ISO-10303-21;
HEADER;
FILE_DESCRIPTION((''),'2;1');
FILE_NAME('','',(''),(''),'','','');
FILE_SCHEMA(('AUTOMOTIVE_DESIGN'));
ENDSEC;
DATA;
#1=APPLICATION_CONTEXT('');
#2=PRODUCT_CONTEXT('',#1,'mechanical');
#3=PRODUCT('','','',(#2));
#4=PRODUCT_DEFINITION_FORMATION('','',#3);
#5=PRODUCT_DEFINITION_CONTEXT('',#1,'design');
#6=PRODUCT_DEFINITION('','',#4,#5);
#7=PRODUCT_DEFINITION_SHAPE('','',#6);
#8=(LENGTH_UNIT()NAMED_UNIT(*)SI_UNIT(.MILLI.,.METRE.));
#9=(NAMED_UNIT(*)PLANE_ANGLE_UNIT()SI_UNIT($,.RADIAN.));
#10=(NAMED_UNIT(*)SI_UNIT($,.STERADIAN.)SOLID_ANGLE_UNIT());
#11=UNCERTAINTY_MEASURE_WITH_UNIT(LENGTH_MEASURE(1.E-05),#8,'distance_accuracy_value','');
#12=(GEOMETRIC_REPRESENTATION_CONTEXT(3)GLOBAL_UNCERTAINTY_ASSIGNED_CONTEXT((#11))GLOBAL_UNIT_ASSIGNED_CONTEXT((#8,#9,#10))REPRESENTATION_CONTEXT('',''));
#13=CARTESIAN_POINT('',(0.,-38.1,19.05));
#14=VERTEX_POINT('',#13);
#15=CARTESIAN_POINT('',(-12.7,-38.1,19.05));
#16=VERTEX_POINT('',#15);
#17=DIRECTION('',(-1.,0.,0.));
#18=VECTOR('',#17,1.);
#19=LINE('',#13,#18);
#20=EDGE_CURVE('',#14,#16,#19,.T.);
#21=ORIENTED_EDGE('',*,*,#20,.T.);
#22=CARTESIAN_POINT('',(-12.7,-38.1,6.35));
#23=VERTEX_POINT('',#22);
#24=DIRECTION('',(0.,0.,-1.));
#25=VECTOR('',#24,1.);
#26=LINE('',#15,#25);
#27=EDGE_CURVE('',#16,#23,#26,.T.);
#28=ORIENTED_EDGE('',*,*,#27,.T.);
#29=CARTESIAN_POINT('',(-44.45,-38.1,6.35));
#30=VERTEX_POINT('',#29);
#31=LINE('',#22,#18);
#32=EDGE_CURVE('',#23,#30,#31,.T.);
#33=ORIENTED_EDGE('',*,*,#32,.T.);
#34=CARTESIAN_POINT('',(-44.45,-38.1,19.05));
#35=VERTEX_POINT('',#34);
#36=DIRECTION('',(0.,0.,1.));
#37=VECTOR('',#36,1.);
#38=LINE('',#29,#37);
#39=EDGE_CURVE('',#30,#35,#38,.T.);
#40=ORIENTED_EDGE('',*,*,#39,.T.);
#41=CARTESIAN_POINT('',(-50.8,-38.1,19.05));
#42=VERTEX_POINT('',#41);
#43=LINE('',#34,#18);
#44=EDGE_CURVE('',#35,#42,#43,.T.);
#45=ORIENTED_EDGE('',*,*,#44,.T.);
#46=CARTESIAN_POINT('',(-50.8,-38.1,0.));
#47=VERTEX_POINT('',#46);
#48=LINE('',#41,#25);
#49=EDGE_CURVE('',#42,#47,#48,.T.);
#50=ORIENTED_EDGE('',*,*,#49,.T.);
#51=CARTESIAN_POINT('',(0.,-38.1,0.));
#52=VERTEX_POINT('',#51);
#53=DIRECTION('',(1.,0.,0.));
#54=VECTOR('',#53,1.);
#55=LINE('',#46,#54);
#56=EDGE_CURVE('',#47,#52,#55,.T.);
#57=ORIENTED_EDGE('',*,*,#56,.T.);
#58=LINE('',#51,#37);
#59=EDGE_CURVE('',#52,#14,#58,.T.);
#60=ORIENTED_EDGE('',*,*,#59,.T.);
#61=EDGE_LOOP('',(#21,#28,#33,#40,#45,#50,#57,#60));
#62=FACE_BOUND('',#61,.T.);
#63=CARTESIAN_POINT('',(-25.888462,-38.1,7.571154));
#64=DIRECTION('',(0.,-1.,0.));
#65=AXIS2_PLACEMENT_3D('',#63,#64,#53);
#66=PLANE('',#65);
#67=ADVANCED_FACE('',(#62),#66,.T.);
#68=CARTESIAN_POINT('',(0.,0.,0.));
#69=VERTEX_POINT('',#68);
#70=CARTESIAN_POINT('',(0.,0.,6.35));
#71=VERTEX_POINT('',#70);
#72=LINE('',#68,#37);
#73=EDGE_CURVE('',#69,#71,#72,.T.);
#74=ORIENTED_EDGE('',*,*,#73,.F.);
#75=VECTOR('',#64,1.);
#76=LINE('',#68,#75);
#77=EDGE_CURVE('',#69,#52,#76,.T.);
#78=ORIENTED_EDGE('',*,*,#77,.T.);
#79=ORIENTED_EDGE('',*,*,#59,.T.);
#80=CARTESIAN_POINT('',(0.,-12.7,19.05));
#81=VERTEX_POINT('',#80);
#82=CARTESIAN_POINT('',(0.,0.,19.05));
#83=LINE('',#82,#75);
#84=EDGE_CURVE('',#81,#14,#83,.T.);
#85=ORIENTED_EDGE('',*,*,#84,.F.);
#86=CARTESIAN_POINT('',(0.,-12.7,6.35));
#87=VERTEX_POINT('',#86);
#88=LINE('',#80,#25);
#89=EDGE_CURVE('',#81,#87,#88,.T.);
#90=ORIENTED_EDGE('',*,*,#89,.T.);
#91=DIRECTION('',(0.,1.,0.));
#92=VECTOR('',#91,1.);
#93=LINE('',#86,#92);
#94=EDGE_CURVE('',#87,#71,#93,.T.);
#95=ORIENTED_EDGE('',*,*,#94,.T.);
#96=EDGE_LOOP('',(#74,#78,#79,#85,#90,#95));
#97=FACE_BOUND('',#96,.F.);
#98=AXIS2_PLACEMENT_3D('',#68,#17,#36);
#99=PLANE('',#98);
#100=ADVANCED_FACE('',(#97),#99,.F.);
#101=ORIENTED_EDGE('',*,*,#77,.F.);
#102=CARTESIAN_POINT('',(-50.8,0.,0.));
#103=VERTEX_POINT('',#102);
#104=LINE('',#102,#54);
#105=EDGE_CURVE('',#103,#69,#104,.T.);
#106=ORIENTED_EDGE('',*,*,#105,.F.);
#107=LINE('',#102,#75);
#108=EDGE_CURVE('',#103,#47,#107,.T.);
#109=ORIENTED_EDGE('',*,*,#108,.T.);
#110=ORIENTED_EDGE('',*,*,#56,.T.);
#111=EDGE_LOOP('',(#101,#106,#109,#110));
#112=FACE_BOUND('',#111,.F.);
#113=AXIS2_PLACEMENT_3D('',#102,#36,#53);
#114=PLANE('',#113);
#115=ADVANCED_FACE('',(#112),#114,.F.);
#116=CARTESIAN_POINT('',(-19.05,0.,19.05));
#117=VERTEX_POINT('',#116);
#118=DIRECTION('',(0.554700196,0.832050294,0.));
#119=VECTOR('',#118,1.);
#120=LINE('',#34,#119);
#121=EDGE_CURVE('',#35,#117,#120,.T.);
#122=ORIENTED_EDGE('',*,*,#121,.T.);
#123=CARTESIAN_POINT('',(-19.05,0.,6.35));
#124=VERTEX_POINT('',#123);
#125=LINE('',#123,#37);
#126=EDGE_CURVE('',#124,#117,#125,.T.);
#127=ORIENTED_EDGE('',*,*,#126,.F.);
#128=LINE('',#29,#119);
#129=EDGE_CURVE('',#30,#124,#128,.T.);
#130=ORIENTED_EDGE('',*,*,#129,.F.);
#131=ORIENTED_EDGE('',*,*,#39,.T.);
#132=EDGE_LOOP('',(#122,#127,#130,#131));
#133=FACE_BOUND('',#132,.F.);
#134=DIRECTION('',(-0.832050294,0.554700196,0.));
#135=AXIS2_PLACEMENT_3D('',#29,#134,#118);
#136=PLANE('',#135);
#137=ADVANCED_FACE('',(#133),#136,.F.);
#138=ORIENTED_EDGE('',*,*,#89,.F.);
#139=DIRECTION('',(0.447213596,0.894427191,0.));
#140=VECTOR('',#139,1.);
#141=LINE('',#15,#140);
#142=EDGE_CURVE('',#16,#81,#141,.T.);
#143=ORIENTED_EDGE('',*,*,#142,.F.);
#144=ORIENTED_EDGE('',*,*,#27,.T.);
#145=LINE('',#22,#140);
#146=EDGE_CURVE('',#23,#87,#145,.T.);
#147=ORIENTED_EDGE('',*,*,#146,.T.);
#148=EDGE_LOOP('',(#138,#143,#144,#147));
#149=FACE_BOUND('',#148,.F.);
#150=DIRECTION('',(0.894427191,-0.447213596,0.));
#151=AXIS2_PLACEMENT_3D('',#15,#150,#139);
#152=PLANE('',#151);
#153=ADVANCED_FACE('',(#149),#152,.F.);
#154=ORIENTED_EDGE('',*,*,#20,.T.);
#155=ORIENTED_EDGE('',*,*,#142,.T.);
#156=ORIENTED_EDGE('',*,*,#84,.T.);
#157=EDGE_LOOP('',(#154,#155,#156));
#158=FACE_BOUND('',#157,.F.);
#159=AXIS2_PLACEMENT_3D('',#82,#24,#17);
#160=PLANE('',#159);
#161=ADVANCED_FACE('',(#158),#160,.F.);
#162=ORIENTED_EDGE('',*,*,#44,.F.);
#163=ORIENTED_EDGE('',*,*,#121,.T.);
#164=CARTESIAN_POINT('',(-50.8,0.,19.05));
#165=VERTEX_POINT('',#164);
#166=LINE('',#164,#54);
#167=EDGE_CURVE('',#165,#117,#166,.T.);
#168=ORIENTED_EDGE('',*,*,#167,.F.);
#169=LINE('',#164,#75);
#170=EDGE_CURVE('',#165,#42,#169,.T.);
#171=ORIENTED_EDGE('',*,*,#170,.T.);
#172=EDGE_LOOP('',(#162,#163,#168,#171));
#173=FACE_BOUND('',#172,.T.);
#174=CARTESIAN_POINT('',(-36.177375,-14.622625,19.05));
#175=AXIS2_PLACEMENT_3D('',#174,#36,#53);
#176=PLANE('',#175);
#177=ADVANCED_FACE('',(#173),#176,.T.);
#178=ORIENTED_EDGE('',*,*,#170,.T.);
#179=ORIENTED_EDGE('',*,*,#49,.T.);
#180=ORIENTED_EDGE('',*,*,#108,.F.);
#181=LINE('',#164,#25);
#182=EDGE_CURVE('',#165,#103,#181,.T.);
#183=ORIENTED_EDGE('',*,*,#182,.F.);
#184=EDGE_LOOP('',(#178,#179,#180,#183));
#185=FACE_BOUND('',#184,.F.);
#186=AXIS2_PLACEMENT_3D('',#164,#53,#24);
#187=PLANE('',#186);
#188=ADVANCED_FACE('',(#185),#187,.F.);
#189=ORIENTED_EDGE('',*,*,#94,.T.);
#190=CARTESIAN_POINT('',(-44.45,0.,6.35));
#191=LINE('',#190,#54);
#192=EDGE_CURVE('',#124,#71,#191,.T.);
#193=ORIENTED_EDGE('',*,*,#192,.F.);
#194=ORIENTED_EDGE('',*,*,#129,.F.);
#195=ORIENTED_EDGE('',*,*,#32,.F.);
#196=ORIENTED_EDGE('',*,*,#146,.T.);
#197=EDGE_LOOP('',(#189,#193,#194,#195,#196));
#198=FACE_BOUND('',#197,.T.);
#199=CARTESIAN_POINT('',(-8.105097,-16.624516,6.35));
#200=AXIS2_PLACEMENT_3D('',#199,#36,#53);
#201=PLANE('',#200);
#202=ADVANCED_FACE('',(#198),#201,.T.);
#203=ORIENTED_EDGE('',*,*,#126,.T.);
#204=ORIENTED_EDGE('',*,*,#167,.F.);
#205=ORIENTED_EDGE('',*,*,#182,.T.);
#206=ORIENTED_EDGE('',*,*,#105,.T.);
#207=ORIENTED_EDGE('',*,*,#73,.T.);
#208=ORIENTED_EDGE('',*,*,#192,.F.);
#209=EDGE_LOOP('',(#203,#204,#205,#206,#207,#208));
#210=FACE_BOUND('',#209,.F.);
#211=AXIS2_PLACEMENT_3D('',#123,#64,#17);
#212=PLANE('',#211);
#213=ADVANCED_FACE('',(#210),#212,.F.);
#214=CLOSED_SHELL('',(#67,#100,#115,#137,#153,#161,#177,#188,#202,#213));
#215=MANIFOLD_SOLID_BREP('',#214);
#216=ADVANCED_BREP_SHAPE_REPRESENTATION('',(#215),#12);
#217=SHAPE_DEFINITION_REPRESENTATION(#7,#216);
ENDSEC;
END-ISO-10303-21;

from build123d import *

# Parameters (mm, degrees)
F1_DEPTH = 38.1
F3_DEPTH = 12.7
F5_DEPTH = 12.7


with BuildPart() as f1:
    # F0 (on Front) → F1 (new body)
    with BuildSketch(Plane.XZ):
        Polygon((-50.8, 0), (0, 0), (0, 19.05), (-12.7, 19.05), (-12.7, 6.35), (-44.45, 6.35), (-44.45, 19.05), (-50.8, 19.05), align=None)
    extrude(amount=F1_DEPTH)

    # F2 (on face) → F3 (cut)
    with BuildSketch(Plane.XY.offset(19.05)):
        Polygon((-12.7, -38.1), (0, -12.7), (0, 0), (-12.7, 0), align=None)
    extrude(amount=-F3_DEPTH, mode=Mode.SUBTRACT)

    # F4 (on face) → F5 (join)
    with BuildSketch(Plane.XY.offset(6.35)):
        Polygon((-19.05, 0), (-44.45, 0), (-44.45, -38.1), align=None)
    extrude(amount=F5_DEPTH)


solid = f1.part
